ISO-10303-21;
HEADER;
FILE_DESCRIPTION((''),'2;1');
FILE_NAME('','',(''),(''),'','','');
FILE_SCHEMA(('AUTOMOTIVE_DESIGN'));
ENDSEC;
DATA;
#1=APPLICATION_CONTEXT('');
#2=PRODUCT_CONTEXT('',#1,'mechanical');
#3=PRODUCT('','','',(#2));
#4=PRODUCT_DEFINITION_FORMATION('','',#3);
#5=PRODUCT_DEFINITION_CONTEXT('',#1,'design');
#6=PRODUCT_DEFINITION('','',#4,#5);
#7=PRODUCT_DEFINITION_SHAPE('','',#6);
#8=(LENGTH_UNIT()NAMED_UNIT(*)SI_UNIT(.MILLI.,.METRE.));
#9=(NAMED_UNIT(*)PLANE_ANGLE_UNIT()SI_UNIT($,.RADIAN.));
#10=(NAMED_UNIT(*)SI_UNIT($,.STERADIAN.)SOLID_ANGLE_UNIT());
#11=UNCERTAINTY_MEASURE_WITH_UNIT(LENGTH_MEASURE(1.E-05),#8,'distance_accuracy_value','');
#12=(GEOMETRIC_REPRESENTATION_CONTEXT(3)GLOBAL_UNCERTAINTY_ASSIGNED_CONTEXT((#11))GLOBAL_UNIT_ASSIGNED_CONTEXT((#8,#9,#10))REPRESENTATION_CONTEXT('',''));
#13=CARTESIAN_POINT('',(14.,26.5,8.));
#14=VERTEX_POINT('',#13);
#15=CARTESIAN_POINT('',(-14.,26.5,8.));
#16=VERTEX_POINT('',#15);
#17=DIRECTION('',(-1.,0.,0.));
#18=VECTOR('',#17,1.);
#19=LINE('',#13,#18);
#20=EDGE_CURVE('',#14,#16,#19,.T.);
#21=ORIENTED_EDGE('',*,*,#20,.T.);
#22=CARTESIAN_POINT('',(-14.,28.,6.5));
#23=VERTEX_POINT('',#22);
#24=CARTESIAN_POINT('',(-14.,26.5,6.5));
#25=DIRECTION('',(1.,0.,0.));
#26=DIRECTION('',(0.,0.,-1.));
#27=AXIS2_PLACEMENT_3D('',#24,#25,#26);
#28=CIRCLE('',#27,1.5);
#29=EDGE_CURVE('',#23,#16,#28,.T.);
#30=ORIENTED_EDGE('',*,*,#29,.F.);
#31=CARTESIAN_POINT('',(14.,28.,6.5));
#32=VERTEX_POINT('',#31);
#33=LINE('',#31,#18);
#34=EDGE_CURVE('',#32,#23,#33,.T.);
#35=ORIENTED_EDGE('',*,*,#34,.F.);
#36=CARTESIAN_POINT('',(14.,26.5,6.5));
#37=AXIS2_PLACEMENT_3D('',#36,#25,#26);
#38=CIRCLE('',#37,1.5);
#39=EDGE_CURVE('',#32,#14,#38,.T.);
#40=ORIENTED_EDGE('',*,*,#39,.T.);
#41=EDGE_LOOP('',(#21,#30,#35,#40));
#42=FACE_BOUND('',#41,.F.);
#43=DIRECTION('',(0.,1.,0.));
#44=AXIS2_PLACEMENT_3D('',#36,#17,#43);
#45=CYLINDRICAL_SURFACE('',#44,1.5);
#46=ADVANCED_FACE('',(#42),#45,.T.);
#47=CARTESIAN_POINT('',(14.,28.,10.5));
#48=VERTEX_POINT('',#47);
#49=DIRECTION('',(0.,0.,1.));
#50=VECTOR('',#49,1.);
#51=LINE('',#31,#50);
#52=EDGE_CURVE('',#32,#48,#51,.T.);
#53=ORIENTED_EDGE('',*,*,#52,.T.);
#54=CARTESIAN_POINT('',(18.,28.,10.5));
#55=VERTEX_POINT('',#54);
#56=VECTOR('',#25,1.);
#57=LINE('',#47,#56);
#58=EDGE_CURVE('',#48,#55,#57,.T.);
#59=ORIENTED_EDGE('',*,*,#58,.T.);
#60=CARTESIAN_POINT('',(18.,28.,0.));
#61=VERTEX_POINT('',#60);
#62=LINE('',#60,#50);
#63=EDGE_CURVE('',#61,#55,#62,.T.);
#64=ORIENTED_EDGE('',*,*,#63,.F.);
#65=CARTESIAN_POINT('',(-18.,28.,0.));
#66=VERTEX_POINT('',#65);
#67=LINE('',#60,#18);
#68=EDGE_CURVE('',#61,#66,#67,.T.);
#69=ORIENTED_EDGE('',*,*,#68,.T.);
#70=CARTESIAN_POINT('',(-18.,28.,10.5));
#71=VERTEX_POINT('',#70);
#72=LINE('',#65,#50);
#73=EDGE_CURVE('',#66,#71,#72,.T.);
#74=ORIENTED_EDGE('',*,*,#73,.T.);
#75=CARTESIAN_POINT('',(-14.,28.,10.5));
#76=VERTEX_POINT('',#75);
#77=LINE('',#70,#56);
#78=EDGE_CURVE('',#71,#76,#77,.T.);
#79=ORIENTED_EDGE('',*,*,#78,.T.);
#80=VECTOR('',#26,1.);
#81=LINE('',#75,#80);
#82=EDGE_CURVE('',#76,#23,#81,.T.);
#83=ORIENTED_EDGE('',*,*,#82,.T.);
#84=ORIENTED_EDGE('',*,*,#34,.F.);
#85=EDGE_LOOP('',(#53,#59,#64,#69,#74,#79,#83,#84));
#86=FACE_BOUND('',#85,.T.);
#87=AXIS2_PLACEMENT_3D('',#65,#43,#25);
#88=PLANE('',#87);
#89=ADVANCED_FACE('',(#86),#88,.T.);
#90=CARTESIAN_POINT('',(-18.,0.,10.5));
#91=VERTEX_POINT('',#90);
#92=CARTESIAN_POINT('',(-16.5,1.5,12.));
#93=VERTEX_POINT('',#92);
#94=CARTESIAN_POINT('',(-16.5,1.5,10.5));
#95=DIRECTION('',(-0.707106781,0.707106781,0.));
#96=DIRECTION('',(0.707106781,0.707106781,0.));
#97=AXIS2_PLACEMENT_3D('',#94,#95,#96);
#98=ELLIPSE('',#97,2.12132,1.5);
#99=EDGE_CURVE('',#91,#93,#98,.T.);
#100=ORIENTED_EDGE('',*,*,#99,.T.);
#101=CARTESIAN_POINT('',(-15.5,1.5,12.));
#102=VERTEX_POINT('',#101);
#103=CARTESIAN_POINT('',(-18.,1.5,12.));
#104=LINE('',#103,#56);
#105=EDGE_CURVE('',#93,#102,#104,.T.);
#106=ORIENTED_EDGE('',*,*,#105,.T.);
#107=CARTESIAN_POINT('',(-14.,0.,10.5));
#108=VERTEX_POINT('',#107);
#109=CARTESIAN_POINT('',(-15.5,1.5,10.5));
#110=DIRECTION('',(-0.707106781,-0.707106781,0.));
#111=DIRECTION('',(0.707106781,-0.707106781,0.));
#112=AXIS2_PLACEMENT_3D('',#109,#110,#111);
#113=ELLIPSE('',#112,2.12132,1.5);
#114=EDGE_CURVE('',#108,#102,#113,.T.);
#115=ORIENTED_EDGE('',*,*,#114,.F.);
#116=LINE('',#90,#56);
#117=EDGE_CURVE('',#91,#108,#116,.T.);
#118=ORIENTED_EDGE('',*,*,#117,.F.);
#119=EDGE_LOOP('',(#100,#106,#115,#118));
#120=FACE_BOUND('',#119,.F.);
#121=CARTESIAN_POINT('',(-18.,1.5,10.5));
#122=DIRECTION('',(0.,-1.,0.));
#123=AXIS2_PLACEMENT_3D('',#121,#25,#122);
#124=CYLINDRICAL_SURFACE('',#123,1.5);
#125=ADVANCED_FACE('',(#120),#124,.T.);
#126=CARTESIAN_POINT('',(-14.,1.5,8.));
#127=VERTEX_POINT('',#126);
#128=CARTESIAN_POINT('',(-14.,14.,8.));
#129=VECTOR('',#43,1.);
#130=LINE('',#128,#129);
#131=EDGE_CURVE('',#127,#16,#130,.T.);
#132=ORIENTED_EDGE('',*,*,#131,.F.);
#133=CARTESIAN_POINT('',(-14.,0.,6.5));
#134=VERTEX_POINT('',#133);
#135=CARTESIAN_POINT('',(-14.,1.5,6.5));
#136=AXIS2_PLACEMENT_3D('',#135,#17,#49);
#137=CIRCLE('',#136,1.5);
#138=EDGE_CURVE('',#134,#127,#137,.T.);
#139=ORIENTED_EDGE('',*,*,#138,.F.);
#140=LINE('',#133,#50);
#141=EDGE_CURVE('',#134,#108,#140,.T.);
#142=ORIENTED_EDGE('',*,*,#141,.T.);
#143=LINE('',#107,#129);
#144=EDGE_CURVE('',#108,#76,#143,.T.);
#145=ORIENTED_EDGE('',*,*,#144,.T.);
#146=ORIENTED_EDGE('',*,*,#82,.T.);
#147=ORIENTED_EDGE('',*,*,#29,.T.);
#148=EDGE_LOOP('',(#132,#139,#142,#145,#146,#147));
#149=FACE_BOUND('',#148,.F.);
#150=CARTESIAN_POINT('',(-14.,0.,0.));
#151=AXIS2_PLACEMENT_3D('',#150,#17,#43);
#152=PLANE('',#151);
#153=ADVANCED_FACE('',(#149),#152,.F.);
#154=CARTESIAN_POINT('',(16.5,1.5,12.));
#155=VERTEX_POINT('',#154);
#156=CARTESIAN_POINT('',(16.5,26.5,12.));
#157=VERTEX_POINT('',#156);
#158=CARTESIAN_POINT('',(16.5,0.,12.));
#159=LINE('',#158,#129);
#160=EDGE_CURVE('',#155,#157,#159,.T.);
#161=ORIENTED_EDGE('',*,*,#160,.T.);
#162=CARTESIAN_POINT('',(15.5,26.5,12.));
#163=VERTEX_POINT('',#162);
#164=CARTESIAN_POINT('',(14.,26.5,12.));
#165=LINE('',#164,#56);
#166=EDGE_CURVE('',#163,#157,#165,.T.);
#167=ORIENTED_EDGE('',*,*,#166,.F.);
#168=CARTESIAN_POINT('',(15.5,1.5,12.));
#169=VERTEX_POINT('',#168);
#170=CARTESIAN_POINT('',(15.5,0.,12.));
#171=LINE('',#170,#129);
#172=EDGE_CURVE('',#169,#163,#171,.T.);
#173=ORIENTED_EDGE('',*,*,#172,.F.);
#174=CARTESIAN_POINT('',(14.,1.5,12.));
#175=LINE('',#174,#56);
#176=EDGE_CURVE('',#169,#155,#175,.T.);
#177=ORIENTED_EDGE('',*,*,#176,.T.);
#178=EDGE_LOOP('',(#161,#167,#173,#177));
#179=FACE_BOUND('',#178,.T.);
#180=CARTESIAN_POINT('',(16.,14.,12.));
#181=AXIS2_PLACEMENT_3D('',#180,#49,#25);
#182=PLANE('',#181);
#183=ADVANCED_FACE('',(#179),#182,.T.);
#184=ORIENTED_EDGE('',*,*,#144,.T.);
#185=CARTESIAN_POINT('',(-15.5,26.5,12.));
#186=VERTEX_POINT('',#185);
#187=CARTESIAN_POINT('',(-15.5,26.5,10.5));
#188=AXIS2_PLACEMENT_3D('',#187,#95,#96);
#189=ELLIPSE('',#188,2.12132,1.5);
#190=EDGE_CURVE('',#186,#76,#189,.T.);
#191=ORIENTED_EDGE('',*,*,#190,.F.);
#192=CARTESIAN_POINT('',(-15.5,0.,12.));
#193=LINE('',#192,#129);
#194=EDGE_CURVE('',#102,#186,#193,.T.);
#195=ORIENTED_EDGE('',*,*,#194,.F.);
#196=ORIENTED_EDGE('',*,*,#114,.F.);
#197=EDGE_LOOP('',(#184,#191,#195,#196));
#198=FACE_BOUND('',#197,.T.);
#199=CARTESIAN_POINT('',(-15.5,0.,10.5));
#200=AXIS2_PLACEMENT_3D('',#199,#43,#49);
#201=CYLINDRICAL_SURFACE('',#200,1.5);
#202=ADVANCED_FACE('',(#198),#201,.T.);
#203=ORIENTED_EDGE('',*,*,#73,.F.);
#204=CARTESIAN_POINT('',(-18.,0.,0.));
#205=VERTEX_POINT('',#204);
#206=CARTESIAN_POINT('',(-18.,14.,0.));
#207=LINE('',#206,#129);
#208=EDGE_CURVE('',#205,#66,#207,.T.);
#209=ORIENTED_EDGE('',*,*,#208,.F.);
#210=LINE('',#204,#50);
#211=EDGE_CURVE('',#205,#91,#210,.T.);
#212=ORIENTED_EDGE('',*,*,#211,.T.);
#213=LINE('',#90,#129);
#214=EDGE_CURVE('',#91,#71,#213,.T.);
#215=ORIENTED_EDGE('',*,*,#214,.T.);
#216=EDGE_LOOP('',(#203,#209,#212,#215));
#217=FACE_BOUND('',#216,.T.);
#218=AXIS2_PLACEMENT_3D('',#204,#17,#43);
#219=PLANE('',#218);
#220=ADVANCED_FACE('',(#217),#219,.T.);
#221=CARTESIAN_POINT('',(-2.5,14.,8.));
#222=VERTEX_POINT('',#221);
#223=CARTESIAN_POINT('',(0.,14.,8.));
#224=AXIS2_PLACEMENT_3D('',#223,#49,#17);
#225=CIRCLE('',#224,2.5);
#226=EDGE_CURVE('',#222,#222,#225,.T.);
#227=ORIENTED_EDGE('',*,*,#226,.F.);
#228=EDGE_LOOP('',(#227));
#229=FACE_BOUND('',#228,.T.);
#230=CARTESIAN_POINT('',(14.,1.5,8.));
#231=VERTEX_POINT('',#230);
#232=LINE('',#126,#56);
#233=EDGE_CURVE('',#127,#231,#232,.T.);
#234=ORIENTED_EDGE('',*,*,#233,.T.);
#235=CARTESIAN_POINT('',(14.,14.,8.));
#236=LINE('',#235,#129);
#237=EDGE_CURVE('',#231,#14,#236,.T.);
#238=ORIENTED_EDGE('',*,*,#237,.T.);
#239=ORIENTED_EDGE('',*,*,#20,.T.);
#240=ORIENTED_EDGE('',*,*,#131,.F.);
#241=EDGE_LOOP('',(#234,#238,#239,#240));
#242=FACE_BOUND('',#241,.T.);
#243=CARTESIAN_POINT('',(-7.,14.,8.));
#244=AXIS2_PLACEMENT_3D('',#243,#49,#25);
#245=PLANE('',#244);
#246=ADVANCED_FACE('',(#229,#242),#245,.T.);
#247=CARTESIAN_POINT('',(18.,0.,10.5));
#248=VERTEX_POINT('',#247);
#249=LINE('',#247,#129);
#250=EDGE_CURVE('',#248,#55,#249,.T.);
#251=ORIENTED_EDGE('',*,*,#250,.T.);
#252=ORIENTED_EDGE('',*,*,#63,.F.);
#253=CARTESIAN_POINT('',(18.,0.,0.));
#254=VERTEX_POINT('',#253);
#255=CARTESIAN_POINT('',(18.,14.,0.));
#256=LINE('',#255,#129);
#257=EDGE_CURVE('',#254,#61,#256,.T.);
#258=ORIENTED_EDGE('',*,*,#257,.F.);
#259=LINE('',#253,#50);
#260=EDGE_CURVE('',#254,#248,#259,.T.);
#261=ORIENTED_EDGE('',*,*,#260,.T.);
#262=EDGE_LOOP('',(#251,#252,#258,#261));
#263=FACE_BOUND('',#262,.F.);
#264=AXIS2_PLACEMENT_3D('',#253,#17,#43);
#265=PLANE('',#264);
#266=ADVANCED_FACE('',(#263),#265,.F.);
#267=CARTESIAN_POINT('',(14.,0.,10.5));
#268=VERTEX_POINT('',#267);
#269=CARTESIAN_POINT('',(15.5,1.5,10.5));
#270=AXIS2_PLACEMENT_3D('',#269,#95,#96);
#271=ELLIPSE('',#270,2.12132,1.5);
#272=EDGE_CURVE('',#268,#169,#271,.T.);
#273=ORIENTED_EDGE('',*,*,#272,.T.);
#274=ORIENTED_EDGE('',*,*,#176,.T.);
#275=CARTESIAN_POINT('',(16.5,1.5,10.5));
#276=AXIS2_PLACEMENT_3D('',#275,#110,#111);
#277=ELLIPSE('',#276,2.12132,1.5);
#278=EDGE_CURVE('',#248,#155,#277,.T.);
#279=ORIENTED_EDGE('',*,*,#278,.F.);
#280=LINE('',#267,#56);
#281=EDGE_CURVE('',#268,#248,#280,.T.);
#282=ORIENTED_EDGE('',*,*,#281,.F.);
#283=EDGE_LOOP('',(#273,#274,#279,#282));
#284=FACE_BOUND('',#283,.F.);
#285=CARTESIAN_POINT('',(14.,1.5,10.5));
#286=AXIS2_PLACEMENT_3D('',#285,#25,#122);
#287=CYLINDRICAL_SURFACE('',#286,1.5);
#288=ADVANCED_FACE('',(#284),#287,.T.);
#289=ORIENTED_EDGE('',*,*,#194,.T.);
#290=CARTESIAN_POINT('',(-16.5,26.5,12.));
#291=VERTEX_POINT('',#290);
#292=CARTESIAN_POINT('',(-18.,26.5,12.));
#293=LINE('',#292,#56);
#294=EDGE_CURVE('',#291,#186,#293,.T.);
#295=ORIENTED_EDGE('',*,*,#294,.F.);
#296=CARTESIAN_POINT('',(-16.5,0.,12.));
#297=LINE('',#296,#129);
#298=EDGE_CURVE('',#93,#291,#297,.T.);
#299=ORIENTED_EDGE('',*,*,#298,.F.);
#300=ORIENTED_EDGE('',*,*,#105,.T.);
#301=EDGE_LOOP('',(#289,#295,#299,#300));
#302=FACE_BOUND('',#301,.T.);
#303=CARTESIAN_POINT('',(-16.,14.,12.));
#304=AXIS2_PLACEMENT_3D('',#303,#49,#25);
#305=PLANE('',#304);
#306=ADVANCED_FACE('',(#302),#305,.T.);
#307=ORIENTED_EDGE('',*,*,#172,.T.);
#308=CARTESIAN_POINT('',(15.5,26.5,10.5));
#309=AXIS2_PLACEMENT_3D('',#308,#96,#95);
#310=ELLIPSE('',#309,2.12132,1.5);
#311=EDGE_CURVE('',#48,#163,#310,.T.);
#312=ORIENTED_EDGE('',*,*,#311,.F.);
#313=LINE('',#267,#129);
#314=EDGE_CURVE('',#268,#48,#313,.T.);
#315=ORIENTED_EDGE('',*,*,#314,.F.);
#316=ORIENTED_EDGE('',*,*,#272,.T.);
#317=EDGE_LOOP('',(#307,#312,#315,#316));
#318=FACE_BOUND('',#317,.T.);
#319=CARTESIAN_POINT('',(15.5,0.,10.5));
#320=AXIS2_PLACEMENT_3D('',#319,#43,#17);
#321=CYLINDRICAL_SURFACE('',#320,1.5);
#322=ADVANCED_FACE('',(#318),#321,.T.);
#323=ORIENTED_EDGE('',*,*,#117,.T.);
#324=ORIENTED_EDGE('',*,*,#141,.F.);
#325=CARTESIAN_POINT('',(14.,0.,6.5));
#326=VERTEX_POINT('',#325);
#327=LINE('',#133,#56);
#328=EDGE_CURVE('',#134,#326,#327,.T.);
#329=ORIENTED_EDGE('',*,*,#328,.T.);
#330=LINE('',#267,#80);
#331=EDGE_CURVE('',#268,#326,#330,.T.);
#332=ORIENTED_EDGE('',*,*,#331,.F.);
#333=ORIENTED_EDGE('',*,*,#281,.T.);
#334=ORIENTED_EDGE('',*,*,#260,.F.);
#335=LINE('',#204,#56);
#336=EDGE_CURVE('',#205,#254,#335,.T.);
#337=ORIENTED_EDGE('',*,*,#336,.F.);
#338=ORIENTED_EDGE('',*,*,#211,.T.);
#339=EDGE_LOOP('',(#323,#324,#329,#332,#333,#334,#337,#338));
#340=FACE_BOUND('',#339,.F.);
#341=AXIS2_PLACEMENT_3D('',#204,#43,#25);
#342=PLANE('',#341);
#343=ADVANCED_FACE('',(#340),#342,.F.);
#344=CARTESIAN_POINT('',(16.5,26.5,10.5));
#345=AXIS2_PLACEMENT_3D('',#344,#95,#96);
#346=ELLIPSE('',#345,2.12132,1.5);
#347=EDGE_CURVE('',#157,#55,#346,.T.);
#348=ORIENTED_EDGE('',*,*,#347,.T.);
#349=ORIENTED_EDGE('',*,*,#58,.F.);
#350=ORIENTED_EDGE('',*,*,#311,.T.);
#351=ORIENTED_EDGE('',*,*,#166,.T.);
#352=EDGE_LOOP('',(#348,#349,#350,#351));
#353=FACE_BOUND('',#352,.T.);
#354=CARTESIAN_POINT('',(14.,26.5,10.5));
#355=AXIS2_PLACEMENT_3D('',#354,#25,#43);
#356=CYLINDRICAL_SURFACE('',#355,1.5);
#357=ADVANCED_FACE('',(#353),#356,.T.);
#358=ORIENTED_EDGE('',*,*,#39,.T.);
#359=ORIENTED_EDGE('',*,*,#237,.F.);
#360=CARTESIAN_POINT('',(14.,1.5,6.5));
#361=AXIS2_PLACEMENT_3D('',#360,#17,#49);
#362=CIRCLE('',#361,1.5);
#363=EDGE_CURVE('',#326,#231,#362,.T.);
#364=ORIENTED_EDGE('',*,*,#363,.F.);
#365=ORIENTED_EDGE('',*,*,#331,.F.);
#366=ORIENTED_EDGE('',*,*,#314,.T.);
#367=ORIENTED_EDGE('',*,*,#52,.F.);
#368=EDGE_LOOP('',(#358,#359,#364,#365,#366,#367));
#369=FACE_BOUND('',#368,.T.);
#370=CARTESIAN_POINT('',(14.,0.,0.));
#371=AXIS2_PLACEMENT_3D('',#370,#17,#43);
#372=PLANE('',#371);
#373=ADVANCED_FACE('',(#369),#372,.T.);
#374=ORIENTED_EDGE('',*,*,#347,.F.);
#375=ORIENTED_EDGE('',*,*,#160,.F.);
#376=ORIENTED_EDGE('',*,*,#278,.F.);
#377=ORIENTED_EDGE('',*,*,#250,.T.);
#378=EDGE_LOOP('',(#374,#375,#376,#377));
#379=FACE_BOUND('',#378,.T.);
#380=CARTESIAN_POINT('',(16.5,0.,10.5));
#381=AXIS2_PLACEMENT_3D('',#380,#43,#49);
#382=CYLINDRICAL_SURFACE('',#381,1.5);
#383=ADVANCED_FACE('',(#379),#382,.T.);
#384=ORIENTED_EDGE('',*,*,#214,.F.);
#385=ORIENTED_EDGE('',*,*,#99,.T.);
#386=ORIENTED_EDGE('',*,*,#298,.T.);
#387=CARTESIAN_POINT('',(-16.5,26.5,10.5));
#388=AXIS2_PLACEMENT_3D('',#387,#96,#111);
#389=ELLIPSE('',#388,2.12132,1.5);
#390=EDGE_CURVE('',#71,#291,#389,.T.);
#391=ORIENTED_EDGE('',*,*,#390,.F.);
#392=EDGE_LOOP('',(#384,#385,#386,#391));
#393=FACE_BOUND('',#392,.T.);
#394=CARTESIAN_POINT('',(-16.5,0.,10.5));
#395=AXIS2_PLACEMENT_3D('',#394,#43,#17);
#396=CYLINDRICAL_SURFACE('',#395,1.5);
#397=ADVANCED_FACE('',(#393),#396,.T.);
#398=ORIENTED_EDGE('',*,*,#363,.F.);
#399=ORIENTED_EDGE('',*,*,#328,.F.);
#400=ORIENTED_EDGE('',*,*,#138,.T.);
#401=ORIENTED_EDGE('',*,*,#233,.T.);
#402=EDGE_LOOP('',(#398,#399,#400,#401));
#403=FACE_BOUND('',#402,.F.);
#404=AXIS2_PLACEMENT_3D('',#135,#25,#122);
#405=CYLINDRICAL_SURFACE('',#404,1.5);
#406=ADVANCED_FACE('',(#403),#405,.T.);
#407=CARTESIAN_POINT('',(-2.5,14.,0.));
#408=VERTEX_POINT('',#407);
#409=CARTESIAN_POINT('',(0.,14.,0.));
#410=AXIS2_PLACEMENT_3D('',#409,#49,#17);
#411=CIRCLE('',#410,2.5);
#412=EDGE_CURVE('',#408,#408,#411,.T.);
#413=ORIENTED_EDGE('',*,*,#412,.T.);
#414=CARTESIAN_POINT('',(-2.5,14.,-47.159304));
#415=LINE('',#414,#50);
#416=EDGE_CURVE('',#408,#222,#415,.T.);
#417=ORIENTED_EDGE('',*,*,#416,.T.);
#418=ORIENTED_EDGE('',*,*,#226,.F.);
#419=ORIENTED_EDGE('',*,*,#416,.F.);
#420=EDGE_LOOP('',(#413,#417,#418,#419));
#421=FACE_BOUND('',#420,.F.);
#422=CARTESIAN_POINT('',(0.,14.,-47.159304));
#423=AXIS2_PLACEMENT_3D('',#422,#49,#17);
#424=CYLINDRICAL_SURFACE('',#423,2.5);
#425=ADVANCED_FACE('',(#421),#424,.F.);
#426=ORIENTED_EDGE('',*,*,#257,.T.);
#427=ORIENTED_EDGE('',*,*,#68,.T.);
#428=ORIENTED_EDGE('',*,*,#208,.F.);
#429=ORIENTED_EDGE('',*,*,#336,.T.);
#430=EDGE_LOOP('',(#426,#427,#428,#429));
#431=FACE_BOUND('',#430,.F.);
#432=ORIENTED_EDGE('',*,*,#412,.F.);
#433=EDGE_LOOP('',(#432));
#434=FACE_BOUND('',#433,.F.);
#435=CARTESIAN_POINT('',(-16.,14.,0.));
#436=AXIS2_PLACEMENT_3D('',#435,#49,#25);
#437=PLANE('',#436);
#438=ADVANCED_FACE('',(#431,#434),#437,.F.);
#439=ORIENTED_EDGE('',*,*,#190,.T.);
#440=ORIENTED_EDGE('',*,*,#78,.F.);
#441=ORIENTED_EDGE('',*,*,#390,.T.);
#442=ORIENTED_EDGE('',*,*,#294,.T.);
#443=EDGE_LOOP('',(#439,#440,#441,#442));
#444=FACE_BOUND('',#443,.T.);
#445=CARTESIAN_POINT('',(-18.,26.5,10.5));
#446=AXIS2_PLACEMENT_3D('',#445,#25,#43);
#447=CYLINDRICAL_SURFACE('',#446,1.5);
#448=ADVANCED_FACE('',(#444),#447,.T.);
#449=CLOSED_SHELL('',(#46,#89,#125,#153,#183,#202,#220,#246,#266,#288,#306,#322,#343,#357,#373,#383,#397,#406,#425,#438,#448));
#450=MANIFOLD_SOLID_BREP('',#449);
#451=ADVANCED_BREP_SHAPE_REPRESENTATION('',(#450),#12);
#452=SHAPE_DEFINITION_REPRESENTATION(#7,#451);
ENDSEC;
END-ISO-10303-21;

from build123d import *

# Parameters (mm, degrees)
F0_W     = 14
F0_H     = 28
F1_DEPTH = 8
F0_W_2   = 4
F2_DEPTH = 12
F3_D     = 5
F4_R     = 1.5


with BuildPart() as f1:
    # F0 (on Top) → F1 (new body)
    with BuildSketch(Plane.XY):
        with Locations((-7, 14)):
            Rectangle(F0_W, F0_H)
        with Locations((7, 14)):
            Rectangle(F0_W, F0_H)
    extrude(amount=F1_DEPTH)

    # F0 (on Top) → F2 (join)
    with BuildSketch(Plane.XY):
        with Locations((-16, 14)):
            Rectangle(F0_W_2, F0_H)
        with Locations((16, 14)):
            Rectangle(F0_W_2, F0_H)
    extrude(amount=F2_DEPTH)

    # F3 (through all)
    with Locations(Plane(origin=(0, 0, 0), x_dir=(1, 0, 0), z_dir=(0, 0, -1))):
        with Locations((0, -14)):
            Hole(F3_D / 2)

    # F4
    f4_edges = [f1.edges().sort_by_distance(p)[0] for p in [
        (-16, 0, 12),
        (-14, 14, 12),
        (-16, 28, 12),
        (-18, 14, 12),
        (14, 14, 12),
        (16, 0, 12),
        (18, 14, 12),
        (16, 28, 12),
        (0, 28, 8),
        (0, 0, 8),
    ]]
    fillet(f4_edges, radius=F4_R)


solid = f1.part
